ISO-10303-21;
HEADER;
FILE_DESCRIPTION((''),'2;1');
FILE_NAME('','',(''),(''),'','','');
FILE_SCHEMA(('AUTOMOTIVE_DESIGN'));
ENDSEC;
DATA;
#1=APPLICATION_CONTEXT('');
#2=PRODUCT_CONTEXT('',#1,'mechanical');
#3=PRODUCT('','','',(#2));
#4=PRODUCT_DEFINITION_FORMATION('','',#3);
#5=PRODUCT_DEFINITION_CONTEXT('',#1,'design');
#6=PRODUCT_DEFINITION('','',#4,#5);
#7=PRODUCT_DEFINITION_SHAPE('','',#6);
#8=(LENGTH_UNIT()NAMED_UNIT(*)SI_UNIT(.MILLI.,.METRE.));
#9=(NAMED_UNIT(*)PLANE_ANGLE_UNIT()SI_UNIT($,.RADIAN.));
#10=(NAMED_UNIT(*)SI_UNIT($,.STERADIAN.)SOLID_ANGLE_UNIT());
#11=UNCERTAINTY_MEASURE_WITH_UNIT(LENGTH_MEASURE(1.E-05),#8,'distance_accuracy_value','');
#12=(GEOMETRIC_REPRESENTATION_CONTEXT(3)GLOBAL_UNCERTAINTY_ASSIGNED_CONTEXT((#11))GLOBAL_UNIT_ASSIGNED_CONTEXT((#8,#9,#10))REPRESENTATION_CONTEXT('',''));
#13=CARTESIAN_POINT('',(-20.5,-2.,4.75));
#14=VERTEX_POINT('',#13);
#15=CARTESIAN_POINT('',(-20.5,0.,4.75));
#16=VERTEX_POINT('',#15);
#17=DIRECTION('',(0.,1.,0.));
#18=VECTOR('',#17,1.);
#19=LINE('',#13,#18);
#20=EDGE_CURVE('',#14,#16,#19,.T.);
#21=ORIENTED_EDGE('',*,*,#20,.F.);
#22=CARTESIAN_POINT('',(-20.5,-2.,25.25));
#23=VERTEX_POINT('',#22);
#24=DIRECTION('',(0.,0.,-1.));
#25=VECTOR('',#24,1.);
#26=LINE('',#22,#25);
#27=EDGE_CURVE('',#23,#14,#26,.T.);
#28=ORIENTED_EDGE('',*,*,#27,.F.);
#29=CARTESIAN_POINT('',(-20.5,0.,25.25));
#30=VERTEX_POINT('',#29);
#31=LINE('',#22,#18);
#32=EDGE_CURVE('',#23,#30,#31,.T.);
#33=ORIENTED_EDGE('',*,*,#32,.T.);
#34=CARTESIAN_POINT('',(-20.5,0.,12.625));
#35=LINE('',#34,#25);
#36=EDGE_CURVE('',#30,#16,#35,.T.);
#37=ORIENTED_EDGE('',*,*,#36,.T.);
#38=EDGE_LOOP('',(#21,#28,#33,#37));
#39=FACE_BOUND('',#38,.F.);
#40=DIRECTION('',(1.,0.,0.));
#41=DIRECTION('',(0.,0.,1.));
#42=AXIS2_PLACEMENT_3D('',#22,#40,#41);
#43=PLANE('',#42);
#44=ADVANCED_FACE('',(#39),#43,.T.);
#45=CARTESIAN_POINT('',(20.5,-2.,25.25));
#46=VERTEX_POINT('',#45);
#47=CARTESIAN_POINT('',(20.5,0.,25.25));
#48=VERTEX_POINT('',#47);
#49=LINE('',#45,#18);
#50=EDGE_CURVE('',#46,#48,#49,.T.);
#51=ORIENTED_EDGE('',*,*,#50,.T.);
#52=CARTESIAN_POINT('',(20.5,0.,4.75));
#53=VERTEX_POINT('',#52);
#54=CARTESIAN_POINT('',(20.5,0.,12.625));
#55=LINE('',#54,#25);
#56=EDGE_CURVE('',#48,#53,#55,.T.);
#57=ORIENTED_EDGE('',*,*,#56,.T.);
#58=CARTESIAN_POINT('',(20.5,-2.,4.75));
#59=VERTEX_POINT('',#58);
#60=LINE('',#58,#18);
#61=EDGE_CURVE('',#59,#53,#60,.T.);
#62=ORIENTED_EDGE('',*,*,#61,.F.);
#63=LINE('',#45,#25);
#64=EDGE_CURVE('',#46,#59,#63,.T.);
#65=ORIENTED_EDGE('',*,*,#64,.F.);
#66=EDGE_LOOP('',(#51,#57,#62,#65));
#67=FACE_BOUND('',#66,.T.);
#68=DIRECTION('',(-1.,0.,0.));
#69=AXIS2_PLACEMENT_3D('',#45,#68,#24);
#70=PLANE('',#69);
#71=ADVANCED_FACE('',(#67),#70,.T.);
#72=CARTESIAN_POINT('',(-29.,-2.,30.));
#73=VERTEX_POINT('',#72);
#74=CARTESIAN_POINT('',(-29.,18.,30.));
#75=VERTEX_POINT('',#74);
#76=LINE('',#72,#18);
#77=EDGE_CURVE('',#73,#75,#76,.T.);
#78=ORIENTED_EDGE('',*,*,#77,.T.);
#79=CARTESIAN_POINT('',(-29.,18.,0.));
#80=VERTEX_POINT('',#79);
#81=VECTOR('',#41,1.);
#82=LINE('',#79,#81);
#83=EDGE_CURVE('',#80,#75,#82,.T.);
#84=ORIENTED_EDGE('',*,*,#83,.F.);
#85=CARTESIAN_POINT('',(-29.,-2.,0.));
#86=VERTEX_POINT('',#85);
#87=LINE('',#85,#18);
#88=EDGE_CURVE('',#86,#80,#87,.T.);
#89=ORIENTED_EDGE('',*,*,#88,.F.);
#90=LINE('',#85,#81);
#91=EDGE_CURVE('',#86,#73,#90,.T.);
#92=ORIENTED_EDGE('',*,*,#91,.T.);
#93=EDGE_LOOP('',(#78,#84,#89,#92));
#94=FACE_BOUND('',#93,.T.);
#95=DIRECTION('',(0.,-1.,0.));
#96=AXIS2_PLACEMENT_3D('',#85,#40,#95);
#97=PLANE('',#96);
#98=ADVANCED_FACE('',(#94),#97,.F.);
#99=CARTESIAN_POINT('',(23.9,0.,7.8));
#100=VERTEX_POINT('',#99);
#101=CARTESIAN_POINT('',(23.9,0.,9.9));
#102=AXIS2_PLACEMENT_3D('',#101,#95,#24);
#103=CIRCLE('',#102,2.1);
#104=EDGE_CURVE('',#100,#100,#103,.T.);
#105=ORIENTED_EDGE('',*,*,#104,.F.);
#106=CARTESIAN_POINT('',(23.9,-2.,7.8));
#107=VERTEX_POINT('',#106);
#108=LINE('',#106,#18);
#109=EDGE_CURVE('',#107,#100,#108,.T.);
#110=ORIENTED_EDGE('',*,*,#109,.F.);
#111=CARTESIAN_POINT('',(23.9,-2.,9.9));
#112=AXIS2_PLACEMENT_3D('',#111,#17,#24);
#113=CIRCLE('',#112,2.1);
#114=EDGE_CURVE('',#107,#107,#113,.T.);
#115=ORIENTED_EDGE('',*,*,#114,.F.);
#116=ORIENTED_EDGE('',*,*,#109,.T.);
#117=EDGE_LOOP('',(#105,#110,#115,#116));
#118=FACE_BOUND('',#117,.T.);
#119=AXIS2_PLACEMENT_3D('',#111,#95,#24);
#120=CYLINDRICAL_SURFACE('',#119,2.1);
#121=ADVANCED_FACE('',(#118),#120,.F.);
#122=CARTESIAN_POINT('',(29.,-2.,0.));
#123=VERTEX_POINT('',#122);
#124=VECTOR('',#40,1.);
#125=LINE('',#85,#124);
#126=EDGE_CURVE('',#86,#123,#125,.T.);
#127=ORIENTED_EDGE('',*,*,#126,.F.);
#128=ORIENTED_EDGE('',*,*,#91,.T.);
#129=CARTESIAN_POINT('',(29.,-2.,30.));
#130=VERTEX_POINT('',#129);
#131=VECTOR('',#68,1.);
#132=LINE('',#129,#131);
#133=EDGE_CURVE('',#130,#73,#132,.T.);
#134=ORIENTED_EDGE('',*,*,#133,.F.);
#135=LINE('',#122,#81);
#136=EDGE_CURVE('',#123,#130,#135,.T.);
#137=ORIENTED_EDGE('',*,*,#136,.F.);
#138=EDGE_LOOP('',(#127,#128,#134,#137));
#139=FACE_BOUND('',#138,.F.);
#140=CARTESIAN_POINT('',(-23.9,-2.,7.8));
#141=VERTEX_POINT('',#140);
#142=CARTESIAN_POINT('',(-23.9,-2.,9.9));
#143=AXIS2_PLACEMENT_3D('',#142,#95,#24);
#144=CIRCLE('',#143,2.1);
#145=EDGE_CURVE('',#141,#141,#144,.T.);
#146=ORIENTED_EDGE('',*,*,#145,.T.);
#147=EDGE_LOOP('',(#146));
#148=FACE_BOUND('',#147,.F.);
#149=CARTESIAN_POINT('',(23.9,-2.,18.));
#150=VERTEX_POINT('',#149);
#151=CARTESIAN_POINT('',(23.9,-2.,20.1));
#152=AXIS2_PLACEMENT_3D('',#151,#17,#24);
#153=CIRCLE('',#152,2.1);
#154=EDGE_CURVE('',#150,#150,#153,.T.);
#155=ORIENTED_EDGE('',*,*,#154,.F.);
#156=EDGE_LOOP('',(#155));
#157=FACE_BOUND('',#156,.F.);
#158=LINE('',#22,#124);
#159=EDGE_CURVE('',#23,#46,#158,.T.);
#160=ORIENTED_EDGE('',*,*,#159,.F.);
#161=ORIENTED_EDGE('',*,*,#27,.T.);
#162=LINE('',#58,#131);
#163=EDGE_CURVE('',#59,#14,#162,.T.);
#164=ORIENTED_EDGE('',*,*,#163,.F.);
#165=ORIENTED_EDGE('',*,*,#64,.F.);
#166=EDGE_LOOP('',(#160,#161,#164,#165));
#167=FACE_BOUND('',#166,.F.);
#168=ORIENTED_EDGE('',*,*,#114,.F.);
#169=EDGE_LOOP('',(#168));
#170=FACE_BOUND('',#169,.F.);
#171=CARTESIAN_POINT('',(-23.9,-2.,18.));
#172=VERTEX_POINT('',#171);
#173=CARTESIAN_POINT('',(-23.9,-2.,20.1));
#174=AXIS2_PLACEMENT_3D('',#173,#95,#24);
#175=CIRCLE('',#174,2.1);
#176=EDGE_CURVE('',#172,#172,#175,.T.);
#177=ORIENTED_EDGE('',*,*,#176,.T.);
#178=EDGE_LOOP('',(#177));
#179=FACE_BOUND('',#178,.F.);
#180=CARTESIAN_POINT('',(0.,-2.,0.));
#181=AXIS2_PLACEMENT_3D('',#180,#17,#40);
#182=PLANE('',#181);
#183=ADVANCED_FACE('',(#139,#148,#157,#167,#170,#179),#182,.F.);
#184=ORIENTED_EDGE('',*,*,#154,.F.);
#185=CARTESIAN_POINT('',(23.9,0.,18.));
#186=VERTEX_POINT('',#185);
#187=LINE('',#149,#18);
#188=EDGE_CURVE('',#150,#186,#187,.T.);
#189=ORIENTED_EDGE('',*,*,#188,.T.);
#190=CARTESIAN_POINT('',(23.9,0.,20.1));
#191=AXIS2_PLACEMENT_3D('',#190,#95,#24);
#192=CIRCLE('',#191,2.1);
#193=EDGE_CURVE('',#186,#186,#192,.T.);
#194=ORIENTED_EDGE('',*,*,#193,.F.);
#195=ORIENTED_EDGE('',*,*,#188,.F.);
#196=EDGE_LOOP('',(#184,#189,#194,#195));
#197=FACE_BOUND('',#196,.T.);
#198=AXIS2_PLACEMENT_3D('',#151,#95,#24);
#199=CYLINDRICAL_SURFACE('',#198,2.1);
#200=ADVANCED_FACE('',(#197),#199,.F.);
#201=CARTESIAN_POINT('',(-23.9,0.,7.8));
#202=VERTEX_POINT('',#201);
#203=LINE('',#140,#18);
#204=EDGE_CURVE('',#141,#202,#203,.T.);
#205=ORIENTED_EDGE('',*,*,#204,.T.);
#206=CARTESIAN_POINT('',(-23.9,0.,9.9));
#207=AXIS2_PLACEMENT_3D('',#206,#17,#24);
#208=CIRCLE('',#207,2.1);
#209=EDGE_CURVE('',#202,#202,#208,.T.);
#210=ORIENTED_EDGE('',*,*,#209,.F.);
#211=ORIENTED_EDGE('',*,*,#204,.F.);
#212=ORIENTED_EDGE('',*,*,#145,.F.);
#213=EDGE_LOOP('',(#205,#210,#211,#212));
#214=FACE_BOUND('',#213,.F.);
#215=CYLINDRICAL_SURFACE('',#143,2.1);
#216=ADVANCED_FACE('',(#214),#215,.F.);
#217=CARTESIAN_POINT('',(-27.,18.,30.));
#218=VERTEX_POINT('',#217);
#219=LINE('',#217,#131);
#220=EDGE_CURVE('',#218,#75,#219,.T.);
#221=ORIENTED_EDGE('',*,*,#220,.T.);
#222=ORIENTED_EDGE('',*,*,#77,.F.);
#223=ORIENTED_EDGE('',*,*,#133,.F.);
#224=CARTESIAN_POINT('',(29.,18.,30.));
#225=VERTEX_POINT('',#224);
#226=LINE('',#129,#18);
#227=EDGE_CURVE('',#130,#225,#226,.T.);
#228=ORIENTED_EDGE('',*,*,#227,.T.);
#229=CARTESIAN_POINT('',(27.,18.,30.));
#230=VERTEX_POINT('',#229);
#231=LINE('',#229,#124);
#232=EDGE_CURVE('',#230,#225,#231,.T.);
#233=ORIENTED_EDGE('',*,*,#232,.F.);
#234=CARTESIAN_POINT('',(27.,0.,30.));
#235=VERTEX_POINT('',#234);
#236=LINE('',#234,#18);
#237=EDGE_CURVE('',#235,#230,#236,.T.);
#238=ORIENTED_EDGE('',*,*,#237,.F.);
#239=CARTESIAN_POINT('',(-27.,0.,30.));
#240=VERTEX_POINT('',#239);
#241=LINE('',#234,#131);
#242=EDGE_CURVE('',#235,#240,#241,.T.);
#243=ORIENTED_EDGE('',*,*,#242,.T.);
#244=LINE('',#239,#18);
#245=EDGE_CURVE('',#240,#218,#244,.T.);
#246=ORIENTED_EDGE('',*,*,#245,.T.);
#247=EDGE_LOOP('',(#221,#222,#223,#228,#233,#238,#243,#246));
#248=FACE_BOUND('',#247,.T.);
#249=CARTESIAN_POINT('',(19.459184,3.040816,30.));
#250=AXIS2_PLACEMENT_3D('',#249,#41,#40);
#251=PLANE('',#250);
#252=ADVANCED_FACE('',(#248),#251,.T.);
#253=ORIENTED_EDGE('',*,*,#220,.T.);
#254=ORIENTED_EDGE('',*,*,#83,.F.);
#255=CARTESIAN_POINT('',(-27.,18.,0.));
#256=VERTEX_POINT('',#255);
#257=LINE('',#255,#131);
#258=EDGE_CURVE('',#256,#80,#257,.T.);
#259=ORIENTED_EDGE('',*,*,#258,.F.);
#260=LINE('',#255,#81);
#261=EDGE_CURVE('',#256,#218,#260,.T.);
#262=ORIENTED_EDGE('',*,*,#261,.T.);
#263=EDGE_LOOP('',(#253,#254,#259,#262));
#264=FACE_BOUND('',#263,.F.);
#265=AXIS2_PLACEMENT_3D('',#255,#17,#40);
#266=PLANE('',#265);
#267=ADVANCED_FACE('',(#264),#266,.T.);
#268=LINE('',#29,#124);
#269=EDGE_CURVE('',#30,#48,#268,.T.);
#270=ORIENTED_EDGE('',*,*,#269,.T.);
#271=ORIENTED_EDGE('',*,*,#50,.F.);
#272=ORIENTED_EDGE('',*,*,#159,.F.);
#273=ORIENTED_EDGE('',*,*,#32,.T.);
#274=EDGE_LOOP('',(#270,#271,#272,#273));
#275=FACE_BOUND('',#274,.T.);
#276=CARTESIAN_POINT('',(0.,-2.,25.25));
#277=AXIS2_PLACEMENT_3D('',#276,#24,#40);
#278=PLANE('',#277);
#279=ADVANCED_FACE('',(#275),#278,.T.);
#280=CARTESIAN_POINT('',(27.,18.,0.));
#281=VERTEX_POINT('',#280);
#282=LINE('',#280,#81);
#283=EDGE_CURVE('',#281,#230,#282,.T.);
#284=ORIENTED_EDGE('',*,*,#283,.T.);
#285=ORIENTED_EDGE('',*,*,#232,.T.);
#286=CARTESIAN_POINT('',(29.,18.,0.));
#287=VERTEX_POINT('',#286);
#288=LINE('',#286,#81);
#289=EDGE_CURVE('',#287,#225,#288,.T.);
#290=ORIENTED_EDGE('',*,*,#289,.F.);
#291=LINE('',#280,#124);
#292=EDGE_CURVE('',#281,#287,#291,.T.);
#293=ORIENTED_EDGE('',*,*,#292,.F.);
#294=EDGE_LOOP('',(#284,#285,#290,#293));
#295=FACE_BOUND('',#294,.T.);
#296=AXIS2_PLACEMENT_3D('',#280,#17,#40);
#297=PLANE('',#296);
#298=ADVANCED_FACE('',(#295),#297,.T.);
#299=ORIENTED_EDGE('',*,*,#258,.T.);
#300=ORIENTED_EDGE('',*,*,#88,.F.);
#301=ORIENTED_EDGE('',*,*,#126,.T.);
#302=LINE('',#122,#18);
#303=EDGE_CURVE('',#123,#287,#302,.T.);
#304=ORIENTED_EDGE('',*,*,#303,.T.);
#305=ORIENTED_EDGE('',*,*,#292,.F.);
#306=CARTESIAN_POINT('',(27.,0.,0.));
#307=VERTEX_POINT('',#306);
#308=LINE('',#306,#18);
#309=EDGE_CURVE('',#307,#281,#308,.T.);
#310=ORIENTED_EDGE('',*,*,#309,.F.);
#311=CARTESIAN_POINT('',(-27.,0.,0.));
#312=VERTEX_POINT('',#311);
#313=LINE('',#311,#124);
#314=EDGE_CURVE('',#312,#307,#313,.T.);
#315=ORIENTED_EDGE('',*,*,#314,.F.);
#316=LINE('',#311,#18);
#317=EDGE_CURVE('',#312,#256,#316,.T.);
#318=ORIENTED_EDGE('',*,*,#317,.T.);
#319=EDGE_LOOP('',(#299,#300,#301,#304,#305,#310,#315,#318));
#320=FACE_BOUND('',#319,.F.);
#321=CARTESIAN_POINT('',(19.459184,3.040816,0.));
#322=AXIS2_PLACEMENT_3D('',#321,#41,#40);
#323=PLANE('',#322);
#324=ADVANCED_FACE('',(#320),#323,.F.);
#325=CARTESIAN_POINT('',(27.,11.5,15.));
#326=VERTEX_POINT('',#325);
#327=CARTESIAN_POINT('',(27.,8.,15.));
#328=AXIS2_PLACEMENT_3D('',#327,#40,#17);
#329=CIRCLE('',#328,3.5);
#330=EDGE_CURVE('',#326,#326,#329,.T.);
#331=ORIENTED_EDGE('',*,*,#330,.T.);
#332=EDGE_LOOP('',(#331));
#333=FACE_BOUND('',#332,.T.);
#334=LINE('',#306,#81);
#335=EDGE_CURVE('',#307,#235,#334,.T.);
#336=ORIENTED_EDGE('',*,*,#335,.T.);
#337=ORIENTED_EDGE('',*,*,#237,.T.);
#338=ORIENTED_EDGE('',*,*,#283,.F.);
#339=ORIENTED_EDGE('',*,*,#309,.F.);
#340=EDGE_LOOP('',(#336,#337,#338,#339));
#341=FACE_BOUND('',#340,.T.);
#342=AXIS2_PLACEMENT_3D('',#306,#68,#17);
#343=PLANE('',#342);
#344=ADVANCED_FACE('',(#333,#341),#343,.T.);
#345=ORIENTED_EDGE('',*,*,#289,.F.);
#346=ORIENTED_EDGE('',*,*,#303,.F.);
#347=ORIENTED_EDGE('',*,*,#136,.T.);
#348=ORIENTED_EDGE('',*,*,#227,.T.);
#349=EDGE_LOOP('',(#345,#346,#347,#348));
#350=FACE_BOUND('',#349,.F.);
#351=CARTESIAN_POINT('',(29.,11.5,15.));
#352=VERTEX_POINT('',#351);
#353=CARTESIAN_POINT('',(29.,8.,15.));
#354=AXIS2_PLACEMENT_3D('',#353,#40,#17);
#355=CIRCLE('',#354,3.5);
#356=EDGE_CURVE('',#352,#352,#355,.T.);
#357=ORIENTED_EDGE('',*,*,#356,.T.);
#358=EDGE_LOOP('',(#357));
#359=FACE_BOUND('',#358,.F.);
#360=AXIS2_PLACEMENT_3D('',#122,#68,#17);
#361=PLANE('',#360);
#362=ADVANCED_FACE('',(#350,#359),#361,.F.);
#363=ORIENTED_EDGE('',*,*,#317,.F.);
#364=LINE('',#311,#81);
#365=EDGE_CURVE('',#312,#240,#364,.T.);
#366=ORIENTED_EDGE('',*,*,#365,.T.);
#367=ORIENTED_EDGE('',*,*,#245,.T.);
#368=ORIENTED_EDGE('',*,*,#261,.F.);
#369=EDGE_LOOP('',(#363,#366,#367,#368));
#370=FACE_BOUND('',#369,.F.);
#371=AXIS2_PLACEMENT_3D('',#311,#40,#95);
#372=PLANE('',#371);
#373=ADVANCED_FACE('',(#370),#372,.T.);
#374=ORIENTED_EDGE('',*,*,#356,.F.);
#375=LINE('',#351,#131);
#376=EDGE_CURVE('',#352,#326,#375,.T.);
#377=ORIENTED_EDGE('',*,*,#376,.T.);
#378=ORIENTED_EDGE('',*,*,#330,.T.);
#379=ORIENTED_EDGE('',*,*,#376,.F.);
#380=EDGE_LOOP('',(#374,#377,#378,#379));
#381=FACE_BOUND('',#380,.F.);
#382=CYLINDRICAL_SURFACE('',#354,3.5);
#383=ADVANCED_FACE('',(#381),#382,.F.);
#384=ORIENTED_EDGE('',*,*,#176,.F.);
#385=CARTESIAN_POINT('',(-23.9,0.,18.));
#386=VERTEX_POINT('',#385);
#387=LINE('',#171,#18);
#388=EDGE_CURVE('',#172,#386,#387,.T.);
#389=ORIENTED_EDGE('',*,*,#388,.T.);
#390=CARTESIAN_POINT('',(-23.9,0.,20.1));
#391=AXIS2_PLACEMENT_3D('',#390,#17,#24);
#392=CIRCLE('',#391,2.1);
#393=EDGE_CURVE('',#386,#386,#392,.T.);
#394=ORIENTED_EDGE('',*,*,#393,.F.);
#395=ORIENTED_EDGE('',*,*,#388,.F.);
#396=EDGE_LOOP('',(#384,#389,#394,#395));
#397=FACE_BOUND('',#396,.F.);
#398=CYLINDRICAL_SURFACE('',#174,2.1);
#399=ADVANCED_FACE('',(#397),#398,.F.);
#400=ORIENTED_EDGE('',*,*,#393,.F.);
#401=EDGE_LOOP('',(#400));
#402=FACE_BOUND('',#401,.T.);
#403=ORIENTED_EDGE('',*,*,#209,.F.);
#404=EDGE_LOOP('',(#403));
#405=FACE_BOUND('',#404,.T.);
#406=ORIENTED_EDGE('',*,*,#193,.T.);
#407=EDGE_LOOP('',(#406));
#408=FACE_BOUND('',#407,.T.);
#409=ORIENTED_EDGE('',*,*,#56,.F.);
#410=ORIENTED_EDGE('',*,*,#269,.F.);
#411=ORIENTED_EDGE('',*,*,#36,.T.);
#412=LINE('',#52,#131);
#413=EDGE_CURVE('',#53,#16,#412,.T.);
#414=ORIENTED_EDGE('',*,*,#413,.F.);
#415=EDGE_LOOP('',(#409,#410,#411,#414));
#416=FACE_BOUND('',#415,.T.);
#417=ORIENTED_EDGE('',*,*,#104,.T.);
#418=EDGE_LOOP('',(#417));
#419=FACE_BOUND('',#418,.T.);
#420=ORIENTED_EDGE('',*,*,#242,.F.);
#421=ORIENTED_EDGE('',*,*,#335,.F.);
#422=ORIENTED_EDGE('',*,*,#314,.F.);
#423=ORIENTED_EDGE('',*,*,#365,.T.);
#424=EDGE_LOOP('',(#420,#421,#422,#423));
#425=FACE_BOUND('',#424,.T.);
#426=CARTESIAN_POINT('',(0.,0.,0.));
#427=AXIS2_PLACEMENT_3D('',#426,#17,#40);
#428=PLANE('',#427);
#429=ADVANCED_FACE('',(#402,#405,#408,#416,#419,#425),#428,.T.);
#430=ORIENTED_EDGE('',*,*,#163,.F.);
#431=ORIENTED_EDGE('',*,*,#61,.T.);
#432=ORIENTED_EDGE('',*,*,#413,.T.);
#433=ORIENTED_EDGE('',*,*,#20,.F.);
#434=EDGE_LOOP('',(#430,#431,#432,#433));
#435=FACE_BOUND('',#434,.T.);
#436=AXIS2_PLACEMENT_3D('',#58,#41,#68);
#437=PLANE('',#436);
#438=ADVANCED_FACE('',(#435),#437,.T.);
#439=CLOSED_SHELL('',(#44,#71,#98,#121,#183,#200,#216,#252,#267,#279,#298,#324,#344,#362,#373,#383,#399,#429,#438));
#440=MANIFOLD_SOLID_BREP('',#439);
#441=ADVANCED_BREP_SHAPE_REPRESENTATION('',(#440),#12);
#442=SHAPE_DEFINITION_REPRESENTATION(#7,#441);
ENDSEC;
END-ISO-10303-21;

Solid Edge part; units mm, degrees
sketch "Sketch1" plane through (0, 0, 0) normal (0, 0, 1) x (1, 0, 0)
  line L0 (29, -2) -> (29, 18)
  line L1 (27, 18) -> (29, 18)
  line L2 (27, 0) -> (27, 18)
  line L3 (0, 0) -> (27, 0)
  line L4 (0, -2) -> (0, 0)
  line L5 (0, -2) -> (29, -2)
extrude "Protrusion1" add sketch "Sketch1" along normal blind 30
hole "Hole1" at (23.9, -2, 20.1) direction (0, 1, 0) diameter 4.2 end up to next
hole "Hole2" at (23.9, -2, 9.9) direction (0, 1, 0) diameter 4.2 end up to next
sketch "Sketch2" plane through (14.5, -2, 12.5) normal (0, -1, 0) x (1, 0, 0)
  line L0 (-14.5, 12.75) -> (6, 12.75)
  line L1 (6, 12.75) -> (6, -7.75)
  line L2 (6, -7.75) -> (-14.5, -7.75)
  line L3 (-14.5, -7.75) -> (-14.5, 12.75)
  dimension "D1" = 20.5
  dimension "D2" = 20.5
extrude "Cutout1" cut sketch "Sketch2" against normal up to next
sketch "Sketch3" plane through (29, 8, 15) normal (1, 0, 0) x (0, 1, 0)
  circle A0 centre (0, 0) radius 3.5
  dimension "D1" = 7
extrude "Cutout2" cut sketch "Sketch3" against normal up to next
mirror "Mirror1" about plane through (0, -1, 23.875) normal (-1, 0, 0) of "Protrusion1", "Cutout1", "Hole1", "Hole2"
